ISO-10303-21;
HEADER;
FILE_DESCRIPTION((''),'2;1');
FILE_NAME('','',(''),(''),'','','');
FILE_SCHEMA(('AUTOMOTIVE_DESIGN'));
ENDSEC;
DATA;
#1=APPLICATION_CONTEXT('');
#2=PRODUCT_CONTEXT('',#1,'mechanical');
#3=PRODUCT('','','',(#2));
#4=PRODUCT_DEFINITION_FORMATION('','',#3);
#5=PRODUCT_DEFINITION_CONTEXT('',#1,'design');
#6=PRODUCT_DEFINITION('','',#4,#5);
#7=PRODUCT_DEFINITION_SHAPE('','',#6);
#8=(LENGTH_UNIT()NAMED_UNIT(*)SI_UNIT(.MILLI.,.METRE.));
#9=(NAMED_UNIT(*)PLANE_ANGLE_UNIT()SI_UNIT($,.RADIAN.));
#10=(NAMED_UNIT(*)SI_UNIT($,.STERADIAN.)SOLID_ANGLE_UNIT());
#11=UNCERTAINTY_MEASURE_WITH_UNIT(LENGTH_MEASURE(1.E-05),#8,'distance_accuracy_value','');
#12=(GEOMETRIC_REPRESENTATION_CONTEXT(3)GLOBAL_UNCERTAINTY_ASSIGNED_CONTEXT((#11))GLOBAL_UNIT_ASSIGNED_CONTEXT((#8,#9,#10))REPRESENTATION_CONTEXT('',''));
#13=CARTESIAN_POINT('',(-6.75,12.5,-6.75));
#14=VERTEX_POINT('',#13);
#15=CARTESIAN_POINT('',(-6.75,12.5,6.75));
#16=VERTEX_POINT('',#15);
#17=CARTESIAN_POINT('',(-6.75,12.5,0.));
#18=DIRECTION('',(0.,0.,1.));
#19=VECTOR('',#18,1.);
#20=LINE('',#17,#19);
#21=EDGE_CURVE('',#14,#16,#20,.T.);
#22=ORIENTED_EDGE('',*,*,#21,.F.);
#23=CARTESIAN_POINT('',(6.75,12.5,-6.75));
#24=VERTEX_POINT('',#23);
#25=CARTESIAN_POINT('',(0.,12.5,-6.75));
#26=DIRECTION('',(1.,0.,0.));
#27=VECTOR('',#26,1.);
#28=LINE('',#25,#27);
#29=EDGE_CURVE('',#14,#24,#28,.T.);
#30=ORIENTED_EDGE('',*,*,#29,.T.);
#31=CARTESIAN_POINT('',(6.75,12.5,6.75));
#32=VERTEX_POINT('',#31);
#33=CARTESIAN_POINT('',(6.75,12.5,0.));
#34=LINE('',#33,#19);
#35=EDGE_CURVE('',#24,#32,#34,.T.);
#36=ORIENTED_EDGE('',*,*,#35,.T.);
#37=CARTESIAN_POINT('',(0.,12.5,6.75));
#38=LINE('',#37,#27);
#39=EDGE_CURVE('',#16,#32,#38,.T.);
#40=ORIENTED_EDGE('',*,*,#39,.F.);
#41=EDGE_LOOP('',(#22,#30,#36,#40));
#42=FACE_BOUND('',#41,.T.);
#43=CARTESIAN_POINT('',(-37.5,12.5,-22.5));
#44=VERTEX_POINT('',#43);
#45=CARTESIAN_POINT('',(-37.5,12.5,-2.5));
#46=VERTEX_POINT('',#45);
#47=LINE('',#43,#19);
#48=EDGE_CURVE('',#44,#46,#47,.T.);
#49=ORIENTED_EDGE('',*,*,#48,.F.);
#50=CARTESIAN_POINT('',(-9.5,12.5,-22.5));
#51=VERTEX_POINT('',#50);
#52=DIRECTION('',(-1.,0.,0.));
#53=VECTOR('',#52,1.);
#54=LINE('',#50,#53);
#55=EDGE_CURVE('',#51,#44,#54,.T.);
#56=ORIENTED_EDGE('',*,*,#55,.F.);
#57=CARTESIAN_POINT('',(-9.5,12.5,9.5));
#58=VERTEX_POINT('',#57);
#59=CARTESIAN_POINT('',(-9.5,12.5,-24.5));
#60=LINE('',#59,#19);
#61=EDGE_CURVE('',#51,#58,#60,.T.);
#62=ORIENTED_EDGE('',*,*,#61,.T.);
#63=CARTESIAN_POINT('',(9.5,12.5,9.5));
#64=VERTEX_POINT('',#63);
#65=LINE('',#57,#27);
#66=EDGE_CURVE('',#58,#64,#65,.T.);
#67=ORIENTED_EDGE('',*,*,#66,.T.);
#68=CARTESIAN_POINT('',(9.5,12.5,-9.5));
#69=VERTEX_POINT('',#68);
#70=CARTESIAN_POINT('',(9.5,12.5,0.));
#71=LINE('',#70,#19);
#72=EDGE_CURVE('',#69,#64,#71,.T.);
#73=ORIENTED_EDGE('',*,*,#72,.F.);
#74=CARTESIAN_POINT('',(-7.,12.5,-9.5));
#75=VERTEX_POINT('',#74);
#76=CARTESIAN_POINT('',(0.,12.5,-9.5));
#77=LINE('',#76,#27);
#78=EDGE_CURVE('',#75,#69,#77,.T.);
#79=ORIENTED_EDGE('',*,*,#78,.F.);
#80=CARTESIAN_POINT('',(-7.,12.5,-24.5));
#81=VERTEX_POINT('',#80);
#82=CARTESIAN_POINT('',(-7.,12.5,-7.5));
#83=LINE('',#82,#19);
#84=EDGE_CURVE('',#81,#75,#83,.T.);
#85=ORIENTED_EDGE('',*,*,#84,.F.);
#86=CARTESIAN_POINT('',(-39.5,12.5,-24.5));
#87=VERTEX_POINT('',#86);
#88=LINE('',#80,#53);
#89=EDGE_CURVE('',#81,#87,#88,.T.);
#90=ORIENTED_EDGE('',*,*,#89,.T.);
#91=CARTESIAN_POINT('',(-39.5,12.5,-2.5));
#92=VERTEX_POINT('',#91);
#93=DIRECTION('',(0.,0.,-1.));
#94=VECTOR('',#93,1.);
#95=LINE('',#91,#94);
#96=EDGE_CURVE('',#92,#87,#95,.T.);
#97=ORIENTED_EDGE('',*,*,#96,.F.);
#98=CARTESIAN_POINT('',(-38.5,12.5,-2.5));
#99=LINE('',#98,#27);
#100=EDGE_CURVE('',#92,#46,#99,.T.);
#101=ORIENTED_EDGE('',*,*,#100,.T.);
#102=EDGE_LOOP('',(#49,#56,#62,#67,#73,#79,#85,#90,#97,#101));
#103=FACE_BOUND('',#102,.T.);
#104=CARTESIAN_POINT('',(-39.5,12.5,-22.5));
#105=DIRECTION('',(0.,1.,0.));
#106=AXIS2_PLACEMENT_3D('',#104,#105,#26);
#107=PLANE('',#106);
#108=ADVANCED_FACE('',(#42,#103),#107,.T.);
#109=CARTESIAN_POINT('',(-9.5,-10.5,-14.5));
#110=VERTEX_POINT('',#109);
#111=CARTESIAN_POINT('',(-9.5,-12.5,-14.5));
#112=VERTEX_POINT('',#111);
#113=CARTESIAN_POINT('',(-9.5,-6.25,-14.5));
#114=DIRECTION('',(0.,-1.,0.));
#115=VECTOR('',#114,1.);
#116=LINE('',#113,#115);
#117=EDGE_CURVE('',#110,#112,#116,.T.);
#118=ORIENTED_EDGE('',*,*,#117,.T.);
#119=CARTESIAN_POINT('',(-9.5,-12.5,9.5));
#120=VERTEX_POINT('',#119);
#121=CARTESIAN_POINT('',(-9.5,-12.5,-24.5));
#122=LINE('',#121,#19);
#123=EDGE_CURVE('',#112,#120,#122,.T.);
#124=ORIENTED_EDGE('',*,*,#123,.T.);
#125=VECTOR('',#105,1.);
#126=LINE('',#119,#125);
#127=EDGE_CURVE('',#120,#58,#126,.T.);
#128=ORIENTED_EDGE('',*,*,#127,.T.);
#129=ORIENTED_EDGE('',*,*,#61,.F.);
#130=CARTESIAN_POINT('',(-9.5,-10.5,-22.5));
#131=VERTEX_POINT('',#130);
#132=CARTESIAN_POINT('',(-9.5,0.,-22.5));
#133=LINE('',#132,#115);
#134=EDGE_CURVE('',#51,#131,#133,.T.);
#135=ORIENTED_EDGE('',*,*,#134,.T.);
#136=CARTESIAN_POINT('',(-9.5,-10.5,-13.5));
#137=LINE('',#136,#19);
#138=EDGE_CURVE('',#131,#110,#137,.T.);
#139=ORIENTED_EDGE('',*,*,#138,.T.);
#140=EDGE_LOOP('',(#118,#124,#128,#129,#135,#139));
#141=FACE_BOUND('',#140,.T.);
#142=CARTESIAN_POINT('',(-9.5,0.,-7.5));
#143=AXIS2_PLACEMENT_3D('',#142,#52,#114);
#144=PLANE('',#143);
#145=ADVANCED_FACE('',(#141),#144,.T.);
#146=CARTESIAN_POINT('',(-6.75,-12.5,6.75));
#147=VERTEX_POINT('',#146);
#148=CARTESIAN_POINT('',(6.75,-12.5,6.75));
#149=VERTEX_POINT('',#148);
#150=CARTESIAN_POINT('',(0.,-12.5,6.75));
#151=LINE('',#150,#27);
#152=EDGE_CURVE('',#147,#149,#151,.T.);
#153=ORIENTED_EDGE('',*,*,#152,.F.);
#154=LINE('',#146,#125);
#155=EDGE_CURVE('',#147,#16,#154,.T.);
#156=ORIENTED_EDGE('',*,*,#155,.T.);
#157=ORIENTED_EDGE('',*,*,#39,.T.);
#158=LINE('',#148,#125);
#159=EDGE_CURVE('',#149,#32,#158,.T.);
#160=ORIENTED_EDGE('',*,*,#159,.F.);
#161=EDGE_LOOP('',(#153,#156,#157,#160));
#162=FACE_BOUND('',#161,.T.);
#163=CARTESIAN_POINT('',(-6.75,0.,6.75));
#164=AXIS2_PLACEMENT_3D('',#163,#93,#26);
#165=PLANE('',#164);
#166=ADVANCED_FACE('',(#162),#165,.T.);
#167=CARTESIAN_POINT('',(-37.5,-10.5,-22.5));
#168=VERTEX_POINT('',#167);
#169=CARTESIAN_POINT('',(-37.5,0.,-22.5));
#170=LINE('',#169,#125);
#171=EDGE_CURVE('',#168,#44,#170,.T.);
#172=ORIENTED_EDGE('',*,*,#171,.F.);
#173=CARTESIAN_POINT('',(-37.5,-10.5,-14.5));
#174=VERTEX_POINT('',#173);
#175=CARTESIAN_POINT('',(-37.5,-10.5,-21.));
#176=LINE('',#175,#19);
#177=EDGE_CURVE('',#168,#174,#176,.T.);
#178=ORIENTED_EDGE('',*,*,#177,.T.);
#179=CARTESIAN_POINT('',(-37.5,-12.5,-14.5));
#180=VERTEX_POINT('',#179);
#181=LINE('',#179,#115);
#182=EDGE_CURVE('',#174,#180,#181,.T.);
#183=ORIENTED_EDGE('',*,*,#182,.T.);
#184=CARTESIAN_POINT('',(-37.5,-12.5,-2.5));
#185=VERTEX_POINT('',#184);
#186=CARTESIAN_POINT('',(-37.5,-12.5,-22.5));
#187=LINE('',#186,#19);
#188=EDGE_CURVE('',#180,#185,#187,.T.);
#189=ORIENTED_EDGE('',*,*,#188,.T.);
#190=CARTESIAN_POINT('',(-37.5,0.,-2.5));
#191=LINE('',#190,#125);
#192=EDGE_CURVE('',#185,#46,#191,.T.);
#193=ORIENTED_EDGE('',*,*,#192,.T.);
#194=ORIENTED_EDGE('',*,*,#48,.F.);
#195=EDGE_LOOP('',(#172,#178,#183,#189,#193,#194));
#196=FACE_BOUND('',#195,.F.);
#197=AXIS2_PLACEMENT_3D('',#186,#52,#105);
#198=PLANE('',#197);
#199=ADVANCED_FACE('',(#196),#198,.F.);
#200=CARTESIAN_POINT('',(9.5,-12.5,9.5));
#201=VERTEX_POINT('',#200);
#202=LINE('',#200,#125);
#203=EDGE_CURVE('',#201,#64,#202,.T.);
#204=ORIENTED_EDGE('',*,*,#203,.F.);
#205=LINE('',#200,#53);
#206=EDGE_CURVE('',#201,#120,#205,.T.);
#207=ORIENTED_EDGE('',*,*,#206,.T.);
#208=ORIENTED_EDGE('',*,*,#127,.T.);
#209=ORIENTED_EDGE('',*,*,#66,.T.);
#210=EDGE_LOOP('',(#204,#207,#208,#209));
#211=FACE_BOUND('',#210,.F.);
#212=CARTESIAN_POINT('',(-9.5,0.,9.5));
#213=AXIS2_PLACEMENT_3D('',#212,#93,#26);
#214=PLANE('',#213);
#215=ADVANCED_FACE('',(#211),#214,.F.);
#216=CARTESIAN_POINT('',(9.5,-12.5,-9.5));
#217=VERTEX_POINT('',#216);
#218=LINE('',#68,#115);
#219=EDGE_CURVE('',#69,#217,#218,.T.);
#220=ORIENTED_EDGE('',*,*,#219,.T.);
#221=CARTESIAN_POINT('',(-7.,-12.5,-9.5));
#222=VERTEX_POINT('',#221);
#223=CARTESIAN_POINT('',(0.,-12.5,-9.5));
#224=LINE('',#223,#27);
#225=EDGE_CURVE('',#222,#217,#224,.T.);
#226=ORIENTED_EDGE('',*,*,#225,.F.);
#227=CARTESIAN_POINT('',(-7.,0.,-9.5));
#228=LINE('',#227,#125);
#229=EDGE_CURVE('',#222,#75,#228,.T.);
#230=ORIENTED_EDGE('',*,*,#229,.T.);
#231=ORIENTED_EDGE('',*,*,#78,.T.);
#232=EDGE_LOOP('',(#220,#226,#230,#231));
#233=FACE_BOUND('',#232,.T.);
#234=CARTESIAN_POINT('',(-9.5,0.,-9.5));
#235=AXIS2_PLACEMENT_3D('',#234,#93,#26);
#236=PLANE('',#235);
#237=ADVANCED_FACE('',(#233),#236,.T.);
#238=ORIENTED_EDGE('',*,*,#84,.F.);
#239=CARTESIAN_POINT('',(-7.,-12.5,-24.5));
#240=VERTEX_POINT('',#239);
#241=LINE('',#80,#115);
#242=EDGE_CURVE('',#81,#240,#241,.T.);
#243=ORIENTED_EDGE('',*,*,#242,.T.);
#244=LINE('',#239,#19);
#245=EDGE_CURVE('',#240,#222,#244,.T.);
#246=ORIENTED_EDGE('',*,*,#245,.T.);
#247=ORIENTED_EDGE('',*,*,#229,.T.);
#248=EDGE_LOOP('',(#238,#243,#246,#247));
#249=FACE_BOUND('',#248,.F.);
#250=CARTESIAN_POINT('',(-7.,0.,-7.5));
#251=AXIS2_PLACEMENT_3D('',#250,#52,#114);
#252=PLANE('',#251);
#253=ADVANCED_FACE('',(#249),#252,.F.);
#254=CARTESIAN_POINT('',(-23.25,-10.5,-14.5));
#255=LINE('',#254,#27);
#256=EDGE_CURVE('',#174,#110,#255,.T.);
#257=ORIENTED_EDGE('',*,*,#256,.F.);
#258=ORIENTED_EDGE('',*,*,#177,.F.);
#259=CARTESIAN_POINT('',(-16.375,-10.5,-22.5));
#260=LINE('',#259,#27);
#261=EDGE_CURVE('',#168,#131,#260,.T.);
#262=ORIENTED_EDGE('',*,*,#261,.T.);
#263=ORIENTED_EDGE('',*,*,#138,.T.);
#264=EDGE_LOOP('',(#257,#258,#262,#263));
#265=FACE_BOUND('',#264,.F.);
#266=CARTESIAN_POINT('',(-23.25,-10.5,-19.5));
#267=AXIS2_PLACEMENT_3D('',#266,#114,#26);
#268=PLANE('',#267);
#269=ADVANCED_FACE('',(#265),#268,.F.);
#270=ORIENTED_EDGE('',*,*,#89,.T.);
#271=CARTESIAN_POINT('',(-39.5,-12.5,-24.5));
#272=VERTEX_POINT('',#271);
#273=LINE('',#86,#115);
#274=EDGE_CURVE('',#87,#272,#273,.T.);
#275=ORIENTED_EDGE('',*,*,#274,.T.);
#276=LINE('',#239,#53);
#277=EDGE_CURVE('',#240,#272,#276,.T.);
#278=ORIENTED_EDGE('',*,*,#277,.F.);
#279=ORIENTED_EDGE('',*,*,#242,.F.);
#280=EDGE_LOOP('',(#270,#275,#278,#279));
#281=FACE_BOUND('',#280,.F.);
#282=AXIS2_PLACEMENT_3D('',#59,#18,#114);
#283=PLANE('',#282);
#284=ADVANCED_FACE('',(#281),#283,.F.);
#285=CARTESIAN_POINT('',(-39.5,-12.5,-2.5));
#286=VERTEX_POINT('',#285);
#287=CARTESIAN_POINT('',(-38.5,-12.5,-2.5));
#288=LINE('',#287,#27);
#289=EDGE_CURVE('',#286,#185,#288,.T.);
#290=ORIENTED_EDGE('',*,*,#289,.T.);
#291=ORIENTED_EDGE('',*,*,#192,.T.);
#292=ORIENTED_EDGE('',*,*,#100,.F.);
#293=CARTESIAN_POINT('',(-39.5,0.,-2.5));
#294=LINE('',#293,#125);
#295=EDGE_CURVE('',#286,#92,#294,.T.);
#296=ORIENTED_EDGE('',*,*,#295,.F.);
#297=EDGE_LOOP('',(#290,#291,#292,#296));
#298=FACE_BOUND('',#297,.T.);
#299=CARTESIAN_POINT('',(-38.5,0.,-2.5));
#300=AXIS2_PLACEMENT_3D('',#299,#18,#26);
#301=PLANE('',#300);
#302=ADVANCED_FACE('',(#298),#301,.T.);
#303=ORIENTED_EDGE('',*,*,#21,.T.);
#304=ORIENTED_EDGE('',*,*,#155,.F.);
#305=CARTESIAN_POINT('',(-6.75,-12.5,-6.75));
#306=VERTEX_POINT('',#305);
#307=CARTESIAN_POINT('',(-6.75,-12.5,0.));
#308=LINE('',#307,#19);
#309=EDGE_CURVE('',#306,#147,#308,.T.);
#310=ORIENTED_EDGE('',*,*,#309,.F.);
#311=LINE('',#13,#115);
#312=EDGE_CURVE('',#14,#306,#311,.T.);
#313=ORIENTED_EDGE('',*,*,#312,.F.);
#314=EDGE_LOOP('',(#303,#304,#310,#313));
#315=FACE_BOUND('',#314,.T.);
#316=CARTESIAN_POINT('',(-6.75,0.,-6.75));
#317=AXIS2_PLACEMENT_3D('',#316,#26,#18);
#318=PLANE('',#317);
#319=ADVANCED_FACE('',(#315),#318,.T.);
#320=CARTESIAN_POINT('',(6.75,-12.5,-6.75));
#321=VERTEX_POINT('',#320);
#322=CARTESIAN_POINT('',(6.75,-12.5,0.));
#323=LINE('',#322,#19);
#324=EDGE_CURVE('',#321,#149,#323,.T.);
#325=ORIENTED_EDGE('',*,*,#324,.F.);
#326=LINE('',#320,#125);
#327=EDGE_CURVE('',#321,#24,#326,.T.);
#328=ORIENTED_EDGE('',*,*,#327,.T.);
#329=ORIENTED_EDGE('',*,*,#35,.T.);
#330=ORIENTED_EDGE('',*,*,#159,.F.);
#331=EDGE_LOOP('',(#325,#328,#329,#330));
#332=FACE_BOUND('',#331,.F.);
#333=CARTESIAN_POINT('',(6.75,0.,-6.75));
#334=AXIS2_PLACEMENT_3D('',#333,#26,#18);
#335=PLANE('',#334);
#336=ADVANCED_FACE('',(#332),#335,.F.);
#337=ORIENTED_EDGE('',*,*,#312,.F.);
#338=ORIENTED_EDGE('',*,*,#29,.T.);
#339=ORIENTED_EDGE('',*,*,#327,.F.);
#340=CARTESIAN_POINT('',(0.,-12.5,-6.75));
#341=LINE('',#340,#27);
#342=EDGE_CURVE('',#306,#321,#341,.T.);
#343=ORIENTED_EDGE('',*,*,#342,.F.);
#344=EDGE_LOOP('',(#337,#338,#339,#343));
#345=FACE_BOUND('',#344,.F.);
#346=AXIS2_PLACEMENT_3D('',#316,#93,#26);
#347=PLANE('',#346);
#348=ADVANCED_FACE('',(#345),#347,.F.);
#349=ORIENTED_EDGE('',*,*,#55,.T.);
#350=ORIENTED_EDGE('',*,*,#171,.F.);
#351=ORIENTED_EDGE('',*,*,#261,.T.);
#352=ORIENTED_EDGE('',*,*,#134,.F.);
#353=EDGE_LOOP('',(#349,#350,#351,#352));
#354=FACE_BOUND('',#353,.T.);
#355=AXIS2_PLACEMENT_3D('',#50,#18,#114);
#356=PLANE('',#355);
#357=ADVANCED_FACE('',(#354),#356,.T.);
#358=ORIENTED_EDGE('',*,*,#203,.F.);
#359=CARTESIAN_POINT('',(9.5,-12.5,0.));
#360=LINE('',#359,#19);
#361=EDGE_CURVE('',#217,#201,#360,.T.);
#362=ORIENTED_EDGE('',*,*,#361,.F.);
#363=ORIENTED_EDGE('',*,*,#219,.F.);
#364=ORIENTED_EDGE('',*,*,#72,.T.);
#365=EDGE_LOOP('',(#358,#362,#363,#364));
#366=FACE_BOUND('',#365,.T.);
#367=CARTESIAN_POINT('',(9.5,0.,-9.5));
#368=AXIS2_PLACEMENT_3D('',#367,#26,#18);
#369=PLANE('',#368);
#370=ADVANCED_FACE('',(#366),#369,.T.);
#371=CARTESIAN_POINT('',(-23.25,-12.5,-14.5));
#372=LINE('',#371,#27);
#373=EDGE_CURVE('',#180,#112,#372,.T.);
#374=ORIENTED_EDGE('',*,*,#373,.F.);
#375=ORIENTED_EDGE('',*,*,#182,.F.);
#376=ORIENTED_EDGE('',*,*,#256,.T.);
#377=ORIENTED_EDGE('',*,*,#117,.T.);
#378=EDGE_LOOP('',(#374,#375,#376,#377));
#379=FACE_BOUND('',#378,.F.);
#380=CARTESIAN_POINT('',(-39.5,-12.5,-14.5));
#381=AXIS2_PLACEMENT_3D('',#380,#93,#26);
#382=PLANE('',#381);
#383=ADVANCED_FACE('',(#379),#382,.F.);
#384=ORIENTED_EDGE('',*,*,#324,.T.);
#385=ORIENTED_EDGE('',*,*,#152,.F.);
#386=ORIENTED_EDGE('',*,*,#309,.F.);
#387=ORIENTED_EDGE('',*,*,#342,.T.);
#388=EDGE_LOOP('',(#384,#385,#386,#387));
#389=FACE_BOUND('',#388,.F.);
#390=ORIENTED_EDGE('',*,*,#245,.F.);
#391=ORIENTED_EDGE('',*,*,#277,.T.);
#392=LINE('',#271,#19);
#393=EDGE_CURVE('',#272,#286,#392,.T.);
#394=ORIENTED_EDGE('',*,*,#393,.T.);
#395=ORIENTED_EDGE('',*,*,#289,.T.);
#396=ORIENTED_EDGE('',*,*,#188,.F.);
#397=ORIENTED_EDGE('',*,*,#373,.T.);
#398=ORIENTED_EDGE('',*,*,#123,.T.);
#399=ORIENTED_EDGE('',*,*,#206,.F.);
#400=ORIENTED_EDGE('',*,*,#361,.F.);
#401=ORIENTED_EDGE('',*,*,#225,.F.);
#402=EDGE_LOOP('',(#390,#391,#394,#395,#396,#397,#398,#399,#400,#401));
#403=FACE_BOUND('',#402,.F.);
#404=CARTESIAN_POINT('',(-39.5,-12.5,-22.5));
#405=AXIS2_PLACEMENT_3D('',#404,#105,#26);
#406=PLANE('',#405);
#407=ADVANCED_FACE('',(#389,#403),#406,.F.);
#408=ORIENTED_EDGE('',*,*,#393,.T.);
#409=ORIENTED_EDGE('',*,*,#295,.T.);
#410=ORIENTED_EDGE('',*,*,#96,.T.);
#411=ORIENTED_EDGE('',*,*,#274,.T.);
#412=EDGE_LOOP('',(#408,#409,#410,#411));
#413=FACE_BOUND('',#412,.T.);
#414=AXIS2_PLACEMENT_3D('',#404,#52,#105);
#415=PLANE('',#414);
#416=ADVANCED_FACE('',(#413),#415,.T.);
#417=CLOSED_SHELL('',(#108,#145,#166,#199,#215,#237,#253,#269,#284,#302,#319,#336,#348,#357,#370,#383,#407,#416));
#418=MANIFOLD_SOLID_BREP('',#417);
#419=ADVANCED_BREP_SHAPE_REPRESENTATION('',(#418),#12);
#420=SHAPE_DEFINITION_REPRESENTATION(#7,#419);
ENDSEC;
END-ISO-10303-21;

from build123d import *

# Parameters (mm, degrees)
F0_W     = 19
F0_H     = 19
F0_W_2   = 13.5
F0_H_2   = 13.5
F1_DEPTH = 12.5
F2_W     = 25
F2_H     = 34
F3_DEPTH = 2.5
F4_W     = 25
F4_H     = 2
F5_DEPTH = 30
F6_W     = 2
F6_H     = 25
F7_DEPTH = 20
F8_W     = 32.5
F8_H     = 10
F9_DEPTH = 2


with BuildPart() as f1:
    # F0 (on Front) → F1 (new body, symmetric)
    with BuildSketch(Plane.XZ):
        Rectangle(F0_W, F0_H)
        Rectangle(F0_W_2, F0_H_2, mode=Mode.SUBTRACT)
    extrude(amount=F1_DEPTH, both=True)

    # F2 (on face) → F3 (join)
    with BuildSketch(Plane(origin=(-9.5, 0, 0), x_dir=(0, -1, 0), z_dir=(-1, 0, 0))):
        with Locations((0, -7.5)):
            Rectangle(F2_W, F2_H)
    extrude(amount=-F3_DEPTH)

    # F4 (on face) → F5 (join)
    with BuildSketch(Plane(origin=(-9.5, 0, 0), x_dir=(0, -1, 0), z_dir=(-1, 0, 0))):
        with Locations((0, -23.5)):
            Rectangle(F4_W, F4_H)
    extrude(amount=F5_DEPTH)

    # F6 (on face) → F7 (join)
    with BuildSketch(Plane.XY.offset(-22.5)):
        with Locations((-38.5, 0)):
            Rectangle(F6_W, F6_H)
    extrude(amount=F7_DEPTH)

    # F8 (on face) → F9 (join)
    with BuildSketch(Plane.XZ.offset(12.5)):
        with Locations((-23.25, -19.5)):
            Rectangle(F8_W, F8_H)
    extrude(amount=-F9_DEPTH)


solid = f1.part
